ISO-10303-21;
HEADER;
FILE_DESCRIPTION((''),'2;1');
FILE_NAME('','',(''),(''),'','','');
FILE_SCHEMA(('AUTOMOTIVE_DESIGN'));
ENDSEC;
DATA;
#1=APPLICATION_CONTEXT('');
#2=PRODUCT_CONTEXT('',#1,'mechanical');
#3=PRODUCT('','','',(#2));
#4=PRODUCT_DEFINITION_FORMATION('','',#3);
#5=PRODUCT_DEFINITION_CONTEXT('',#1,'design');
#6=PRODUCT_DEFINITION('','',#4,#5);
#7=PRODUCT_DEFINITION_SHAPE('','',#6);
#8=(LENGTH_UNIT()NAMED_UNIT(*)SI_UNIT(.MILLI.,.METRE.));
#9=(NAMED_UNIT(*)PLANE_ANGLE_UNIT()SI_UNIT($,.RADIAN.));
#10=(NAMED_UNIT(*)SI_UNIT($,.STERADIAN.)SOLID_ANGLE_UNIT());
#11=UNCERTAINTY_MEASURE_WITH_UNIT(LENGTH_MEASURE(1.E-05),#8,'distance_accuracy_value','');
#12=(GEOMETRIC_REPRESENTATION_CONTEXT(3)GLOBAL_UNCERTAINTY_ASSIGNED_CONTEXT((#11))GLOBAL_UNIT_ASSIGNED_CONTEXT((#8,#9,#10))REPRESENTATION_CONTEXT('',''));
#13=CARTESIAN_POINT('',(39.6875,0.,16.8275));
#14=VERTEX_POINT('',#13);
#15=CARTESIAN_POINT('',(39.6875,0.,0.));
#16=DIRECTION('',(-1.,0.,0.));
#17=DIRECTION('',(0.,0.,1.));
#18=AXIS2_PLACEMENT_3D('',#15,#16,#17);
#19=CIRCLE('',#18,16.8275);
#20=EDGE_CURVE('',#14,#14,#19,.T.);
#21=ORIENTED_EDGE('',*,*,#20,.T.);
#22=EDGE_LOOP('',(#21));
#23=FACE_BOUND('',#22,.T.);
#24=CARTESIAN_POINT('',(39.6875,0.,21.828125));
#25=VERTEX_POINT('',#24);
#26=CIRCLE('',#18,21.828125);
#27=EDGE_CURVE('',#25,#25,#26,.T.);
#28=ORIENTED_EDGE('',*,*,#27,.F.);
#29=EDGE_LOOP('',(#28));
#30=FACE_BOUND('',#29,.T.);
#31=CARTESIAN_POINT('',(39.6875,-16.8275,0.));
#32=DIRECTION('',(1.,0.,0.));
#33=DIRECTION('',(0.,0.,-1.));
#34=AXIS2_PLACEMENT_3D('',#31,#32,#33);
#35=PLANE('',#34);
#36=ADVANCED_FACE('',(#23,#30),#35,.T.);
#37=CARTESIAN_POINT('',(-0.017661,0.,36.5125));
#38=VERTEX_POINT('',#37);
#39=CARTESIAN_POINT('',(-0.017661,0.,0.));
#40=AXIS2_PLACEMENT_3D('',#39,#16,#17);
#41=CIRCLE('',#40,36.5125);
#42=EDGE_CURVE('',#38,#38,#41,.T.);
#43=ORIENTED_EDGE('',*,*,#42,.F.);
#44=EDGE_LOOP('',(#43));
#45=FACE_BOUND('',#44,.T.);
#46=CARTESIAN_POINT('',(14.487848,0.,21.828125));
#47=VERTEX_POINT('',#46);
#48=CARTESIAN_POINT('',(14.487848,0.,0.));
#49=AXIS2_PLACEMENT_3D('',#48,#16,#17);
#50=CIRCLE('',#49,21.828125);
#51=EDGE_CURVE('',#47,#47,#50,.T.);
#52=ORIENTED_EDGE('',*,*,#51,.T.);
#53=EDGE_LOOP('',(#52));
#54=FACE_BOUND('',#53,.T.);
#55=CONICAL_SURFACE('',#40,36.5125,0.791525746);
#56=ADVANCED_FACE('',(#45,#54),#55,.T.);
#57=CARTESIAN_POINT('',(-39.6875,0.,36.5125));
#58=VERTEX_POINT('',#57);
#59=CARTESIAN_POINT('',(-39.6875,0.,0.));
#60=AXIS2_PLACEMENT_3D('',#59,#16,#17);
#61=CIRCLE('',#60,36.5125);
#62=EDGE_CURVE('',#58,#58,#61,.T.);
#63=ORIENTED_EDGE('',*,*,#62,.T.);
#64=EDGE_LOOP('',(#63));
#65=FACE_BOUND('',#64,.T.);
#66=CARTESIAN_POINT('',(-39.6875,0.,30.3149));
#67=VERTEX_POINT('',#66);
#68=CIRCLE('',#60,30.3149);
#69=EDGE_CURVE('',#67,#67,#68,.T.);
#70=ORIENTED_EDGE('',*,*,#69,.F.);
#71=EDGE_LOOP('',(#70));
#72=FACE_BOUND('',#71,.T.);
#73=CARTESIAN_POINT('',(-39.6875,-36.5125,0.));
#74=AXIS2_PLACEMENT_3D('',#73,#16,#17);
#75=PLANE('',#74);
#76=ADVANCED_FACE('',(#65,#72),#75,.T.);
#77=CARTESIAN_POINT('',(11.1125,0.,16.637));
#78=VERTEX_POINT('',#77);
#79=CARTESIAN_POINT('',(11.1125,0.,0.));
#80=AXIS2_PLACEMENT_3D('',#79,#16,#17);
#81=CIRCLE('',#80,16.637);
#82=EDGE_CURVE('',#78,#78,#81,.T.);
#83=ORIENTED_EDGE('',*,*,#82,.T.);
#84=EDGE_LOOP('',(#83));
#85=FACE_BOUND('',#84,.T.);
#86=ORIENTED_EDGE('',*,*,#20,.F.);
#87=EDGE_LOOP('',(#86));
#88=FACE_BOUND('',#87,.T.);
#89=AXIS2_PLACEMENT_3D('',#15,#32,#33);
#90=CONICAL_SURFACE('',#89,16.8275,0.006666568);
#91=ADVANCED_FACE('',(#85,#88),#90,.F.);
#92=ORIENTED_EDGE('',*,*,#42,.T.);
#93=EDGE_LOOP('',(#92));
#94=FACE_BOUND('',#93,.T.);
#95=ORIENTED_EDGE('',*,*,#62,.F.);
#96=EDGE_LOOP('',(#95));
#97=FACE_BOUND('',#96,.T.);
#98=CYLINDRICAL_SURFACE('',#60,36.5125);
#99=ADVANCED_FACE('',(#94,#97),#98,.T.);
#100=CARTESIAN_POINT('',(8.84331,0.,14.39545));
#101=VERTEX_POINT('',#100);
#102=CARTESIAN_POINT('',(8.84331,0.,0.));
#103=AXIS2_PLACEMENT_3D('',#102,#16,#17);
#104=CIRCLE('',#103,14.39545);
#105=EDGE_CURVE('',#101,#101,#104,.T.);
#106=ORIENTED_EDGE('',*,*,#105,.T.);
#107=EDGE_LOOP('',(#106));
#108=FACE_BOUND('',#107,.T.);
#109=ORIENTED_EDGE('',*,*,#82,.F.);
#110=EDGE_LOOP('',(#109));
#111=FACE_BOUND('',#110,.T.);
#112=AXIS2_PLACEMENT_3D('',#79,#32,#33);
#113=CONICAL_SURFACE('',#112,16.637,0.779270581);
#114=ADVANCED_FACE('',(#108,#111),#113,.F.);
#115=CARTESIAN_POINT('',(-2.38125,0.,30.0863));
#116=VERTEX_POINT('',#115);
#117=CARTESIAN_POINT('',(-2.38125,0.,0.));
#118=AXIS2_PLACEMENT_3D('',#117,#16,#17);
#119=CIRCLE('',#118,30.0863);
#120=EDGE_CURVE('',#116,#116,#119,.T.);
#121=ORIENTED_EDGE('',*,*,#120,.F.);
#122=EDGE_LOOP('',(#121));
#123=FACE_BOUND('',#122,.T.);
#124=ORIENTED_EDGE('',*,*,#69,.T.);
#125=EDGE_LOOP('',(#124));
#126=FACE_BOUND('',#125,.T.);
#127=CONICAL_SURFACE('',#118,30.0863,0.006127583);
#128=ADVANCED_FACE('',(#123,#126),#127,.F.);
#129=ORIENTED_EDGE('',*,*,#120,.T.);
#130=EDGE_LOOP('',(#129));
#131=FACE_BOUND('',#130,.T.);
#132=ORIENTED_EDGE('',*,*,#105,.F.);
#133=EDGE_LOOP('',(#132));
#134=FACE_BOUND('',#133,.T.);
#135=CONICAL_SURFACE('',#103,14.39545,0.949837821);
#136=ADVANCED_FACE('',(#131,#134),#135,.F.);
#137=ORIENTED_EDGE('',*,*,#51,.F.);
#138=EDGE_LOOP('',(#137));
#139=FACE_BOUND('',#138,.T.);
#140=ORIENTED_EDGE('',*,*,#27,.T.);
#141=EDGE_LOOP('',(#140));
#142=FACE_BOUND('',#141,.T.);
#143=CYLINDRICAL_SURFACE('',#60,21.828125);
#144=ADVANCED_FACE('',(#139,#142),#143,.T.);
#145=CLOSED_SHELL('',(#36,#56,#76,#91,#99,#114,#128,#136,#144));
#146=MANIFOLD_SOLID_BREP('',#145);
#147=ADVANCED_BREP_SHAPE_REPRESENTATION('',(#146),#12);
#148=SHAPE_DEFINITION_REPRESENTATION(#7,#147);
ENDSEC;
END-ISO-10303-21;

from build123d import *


with BuildPart() as part:
    # Sketch1 → Revolve1 (revolve)
    with BuildSketch(Plane.XY):
        Polygon((-39.6875, -36.5125), (-39.6875, -30.3149), (-2.38125, -30.0863), (8.843309719, -14.39545), (11.1125, -16.637), (39.6875, -16.8275), (39.6875, -21.828125), (14.487848147, -21.828125), (-0.017661179, -36.5125), align=None)
    revolve(axis=Axis((-39.6875, 0, 0), (1, 0, 0)))


solid = part.part
